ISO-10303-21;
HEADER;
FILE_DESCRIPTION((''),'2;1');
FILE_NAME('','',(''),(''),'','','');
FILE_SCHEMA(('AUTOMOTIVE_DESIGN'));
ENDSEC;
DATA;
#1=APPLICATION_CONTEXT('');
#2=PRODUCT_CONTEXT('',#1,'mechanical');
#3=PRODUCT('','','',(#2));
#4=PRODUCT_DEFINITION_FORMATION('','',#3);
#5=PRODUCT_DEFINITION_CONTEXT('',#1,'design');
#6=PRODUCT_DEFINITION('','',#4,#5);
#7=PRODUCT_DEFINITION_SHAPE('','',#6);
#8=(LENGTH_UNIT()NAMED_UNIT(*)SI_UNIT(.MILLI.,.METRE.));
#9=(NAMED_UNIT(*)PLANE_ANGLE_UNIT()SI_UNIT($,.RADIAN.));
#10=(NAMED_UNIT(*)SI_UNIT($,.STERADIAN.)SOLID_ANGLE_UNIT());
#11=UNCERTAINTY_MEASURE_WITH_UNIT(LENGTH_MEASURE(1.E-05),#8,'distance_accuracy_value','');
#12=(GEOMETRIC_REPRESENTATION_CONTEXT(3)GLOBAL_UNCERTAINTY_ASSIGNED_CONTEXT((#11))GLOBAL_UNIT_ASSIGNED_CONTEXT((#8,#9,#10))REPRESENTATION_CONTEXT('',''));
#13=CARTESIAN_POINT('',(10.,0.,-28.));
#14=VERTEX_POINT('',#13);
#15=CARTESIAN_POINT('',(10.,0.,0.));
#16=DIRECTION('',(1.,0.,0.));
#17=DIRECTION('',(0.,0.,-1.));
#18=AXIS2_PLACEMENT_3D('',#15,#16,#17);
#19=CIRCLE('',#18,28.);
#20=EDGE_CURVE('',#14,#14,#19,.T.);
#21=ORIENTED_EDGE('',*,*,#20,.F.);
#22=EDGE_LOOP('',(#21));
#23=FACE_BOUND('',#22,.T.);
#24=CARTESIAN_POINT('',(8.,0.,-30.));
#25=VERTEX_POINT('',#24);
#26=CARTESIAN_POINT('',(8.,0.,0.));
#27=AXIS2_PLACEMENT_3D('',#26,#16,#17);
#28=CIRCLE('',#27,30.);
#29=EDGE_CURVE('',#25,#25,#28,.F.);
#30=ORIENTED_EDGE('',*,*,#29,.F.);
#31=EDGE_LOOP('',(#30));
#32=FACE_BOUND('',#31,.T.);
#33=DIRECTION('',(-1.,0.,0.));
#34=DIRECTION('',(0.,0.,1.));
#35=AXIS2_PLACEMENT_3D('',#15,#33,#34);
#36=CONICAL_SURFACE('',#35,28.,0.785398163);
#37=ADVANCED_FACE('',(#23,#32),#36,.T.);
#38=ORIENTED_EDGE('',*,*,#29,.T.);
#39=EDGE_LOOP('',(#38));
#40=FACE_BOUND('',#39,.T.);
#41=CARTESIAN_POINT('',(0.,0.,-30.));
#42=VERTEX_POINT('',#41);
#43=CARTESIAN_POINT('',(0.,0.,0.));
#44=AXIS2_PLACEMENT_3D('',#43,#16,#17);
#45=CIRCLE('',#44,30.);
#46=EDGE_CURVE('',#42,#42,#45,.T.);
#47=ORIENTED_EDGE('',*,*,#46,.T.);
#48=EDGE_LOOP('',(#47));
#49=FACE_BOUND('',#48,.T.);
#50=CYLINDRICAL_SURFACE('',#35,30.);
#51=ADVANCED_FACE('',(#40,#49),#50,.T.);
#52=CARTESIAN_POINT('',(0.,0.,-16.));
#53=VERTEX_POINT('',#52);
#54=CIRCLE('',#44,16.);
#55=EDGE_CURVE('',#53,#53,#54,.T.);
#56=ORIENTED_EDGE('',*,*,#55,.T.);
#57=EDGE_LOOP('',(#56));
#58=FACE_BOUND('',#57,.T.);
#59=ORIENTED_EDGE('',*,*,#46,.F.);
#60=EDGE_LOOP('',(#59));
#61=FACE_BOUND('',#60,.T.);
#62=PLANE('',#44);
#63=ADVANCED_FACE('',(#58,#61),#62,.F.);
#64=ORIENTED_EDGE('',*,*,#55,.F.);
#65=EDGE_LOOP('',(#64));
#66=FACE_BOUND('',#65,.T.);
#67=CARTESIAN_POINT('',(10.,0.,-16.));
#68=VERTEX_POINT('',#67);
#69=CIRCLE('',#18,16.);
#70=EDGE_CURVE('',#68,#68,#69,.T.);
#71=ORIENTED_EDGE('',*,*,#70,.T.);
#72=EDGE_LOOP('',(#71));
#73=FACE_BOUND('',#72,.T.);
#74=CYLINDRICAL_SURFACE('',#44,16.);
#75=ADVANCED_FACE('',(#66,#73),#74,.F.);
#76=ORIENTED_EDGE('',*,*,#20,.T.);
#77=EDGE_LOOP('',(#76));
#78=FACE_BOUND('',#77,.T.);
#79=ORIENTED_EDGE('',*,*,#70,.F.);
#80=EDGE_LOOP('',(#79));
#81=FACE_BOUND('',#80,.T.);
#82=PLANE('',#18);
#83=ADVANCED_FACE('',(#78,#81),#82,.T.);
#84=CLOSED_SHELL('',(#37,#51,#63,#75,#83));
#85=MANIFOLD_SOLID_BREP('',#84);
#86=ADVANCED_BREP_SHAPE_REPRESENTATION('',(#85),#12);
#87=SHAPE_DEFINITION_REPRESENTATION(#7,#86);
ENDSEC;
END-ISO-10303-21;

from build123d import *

# Parameters (mm, degrees)
SKETCH2_R           = 30
BOSS_EXTRUDE1_DEPTH = 10
CHAMFER1_SIZE       = 2
SKETCH3_R           = 16
CUT_EXTRUDE1_DEPTH  = 10


with BuildPart() as part:
    # Sketch2 → Boss-Extrude1 (new body)
    with BuildSketch(Plane(origin=(0, 0, 0), x_dir=(0, 0, -1), z_dir=(1, 0, 0))):
        Circle(SKETCH2_R)
    extrude(amount=BOSS_EXTRUDE1_DEPTH)

    # Chamfer1
    chamfer1_edges = [part.edges().sort_by_distance(p)[0] for p in [
        (10, 0, 30),
    ]]
    chamfer(chamfer1_edges, length=CHAMFER1_SIZE)

    # Sketch3 → Cut-Extrude1 (cut)
    with BuildSketch(Plane(origin=(10, 0, 0), x_dir=(0, 0, -1), z_dir=(1, 0, 0))):
        Circle(SKETCH3_R)
    extrude(amount=-CUT_EXTRUDE1_DEPTH, mode=Mode.SUBTRACT)


solid = part.part
